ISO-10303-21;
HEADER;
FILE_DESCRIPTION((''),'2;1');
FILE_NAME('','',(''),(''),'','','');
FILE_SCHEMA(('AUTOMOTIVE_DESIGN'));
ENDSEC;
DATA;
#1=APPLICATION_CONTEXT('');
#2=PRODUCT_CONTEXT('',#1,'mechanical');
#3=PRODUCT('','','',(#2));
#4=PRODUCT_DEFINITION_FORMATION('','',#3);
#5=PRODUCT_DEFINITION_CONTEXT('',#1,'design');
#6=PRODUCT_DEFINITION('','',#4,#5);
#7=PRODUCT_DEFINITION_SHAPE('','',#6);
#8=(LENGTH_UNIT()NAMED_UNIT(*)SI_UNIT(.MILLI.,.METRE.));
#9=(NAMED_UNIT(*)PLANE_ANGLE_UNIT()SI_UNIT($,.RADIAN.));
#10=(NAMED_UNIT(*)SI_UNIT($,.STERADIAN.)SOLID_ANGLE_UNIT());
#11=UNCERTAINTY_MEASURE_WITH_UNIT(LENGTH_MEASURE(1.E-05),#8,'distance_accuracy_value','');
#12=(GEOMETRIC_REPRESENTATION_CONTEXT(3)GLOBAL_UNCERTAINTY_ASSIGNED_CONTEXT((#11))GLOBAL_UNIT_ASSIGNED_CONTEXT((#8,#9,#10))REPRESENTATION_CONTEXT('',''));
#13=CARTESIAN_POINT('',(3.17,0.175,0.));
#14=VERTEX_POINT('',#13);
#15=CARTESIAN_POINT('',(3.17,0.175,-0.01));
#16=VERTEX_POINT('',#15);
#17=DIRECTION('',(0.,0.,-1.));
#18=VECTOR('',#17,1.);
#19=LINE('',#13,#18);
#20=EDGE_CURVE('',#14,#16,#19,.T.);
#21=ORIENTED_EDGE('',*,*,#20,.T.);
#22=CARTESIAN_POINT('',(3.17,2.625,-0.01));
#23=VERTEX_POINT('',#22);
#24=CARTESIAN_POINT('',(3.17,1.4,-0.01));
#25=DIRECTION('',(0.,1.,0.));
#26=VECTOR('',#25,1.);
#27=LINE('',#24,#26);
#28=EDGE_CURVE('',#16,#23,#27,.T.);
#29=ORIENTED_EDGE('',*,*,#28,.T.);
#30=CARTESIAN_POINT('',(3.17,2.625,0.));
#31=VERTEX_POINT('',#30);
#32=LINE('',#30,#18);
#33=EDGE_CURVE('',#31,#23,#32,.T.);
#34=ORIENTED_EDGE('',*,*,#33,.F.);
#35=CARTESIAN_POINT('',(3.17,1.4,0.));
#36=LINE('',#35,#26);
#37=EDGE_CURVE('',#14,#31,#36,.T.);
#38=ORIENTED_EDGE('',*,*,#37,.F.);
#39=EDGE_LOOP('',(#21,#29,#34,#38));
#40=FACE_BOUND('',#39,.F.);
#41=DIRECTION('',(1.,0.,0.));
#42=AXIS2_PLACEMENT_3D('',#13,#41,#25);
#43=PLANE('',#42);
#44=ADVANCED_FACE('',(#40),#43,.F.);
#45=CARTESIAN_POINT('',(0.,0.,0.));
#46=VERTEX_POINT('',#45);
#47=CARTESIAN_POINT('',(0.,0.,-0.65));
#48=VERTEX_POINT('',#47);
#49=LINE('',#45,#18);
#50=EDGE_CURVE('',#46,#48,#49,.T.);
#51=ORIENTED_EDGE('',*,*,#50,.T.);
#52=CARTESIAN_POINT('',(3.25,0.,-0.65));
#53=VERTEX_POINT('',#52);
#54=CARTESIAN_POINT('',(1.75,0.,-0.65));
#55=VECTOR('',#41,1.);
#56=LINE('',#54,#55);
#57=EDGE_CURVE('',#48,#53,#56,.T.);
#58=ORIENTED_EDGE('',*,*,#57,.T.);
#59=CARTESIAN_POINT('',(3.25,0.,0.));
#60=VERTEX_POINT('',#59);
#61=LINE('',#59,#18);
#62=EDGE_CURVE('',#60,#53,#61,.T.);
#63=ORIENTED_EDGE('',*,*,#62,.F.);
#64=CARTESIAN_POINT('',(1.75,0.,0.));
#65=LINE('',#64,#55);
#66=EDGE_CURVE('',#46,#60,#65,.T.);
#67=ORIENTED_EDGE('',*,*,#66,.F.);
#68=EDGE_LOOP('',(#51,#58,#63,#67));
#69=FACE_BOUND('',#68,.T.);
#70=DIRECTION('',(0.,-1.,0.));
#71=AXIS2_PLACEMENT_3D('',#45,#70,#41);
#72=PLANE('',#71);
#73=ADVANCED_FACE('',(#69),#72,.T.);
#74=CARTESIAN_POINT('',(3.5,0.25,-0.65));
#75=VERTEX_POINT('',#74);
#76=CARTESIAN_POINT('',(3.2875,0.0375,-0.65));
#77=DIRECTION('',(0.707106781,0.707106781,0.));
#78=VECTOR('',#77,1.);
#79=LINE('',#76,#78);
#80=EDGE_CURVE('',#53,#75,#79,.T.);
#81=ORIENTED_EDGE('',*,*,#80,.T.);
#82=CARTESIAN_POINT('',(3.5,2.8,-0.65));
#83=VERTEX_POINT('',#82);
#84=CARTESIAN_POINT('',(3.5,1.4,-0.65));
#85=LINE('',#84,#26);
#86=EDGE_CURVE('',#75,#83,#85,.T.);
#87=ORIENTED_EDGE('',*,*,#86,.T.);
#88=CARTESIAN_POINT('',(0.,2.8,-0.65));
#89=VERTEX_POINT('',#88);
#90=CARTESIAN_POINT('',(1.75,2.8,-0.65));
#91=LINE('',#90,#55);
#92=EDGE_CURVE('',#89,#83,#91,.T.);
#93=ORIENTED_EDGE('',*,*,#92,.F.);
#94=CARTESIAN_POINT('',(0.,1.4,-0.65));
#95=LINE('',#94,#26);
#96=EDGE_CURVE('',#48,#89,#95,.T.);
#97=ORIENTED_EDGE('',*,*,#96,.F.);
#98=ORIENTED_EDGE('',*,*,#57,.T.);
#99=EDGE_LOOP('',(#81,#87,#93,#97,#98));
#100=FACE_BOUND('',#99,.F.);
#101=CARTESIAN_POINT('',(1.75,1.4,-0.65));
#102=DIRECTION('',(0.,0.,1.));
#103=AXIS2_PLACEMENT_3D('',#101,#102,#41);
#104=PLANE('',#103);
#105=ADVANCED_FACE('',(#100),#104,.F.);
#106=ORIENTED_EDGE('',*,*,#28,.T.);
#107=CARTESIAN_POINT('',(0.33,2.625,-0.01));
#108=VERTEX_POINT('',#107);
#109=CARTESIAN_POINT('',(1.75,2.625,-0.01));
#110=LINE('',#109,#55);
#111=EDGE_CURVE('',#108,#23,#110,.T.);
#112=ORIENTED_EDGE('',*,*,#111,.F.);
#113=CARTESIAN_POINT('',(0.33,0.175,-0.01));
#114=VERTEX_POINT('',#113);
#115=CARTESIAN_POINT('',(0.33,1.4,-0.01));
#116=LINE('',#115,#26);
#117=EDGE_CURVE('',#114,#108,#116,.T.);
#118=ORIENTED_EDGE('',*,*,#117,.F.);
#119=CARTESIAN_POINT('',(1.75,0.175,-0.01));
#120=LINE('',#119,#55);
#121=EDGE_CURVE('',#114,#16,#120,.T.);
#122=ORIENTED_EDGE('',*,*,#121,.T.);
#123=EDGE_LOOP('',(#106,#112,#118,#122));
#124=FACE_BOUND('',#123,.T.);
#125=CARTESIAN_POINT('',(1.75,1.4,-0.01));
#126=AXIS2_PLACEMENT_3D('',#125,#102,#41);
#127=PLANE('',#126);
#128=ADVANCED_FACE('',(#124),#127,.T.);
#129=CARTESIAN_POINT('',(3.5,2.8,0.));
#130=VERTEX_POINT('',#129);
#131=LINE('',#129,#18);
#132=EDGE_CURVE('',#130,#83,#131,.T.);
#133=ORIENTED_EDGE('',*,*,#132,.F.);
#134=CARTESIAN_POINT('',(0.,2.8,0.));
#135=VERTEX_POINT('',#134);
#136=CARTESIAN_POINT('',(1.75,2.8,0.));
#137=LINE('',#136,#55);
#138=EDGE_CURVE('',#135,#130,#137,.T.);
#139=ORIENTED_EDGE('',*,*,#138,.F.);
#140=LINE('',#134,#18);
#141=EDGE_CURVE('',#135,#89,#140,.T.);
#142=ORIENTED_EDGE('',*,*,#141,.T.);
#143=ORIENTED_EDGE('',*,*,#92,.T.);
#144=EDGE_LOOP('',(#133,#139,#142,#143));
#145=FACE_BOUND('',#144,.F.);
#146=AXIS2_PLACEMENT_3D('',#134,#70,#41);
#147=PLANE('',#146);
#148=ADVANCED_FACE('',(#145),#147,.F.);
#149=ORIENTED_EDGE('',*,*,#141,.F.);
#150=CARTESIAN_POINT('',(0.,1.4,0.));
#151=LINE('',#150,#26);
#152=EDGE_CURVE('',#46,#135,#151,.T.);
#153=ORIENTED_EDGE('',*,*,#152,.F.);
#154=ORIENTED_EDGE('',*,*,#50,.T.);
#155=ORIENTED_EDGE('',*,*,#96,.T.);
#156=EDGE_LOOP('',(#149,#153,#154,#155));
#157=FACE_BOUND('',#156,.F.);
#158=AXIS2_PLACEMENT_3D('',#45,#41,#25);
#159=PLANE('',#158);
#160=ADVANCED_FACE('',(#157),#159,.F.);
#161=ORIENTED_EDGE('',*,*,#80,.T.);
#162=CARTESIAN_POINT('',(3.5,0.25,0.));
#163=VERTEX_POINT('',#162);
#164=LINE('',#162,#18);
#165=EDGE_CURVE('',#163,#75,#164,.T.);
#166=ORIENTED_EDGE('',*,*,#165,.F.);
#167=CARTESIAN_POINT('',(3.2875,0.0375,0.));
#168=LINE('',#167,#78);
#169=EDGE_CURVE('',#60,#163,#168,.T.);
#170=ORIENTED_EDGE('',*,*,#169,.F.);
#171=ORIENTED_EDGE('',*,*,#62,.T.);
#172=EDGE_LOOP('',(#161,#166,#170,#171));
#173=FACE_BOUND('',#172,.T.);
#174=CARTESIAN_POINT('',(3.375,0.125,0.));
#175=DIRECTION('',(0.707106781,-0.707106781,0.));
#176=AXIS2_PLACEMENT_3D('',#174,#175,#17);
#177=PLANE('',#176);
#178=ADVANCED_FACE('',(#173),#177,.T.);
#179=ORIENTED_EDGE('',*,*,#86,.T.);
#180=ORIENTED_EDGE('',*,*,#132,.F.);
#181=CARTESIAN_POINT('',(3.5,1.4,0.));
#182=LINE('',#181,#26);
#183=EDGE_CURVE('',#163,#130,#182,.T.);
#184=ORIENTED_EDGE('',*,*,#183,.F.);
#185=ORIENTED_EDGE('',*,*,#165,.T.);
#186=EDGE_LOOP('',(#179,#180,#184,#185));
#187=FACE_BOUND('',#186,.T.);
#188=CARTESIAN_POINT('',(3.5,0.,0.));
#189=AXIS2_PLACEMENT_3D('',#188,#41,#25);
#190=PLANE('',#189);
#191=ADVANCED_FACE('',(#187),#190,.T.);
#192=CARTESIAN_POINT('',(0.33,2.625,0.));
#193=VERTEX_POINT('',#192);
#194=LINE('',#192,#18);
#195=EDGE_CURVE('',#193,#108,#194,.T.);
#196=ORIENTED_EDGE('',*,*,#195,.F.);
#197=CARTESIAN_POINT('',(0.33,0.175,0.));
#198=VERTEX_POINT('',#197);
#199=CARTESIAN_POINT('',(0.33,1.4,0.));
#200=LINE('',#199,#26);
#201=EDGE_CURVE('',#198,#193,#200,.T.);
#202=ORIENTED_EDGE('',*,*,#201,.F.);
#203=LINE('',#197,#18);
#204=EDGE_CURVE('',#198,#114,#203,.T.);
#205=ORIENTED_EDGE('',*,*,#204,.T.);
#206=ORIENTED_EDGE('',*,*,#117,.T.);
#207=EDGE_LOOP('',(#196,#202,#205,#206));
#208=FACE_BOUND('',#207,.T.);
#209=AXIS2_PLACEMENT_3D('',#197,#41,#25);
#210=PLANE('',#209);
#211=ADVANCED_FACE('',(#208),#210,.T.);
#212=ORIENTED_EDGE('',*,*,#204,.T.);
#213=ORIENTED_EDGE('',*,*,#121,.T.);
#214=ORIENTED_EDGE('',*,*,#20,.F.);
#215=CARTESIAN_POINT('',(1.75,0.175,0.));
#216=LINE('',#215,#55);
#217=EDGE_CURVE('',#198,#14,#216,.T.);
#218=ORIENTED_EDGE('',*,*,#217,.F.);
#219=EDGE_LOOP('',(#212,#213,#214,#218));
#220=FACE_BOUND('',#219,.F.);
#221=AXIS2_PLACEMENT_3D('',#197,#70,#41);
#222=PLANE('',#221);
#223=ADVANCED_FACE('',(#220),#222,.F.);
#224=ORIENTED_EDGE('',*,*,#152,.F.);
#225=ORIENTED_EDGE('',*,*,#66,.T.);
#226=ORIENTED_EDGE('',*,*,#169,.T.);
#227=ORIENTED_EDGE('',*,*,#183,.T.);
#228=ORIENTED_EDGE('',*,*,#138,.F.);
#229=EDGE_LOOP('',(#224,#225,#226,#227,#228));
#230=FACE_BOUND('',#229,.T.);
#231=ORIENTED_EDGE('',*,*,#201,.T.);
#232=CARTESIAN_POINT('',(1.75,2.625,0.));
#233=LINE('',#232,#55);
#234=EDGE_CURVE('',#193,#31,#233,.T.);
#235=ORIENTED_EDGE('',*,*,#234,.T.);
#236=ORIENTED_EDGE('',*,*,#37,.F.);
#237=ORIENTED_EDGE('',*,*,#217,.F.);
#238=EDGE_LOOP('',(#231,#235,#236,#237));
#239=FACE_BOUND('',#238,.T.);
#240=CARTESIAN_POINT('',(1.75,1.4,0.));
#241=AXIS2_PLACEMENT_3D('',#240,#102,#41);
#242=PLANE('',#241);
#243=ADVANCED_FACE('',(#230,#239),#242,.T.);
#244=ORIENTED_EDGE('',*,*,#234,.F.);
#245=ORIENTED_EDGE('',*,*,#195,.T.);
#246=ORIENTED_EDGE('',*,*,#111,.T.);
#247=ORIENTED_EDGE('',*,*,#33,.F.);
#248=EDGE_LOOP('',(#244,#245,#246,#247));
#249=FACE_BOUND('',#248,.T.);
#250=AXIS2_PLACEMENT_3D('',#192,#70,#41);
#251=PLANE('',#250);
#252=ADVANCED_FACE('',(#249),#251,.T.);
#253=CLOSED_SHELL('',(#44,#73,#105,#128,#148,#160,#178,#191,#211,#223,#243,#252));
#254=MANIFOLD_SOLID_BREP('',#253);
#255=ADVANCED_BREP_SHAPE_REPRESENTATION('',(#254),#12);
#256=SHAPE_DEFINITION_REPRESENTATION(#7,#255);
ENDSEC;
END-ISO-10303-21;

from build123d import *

# Parameters (mm, degrees)
F0_W     = 3.5
F0_H     = 2.8
F1_DEPTH = 0.65
F2_W     = 2.84
F2_H     = 2.45
F3_DEPTH = 0.01
F4_SIZE  = 0.25


with BuildPart() as f1:
    # F0 (on Top) → F1 (new body)
    with BuildSketch(Plane.XY):
        with Locations((1.75, 1.4)):
            Rectangle(F0_W, F0_H)
    extrude(amount=-F1_DEPTH)

    # F2 (on face) → F3 (cut)
    with BuildSketch(Plane.XY):
        with Locations((1.75, 1.4)):
            Rectangle(F2_W, F2_H)
    extrude(amount=-F3_DEPTH, mode=Mode.SUBTRACT)

    # F4
    f4_edges = [f1.edges().sort_by_distance(p)[0] for p in [
        (3.5, 0, -0.325),
    ]]
    chamfer(f4_edges, length=F4_SIZE)


solid = f1.part
